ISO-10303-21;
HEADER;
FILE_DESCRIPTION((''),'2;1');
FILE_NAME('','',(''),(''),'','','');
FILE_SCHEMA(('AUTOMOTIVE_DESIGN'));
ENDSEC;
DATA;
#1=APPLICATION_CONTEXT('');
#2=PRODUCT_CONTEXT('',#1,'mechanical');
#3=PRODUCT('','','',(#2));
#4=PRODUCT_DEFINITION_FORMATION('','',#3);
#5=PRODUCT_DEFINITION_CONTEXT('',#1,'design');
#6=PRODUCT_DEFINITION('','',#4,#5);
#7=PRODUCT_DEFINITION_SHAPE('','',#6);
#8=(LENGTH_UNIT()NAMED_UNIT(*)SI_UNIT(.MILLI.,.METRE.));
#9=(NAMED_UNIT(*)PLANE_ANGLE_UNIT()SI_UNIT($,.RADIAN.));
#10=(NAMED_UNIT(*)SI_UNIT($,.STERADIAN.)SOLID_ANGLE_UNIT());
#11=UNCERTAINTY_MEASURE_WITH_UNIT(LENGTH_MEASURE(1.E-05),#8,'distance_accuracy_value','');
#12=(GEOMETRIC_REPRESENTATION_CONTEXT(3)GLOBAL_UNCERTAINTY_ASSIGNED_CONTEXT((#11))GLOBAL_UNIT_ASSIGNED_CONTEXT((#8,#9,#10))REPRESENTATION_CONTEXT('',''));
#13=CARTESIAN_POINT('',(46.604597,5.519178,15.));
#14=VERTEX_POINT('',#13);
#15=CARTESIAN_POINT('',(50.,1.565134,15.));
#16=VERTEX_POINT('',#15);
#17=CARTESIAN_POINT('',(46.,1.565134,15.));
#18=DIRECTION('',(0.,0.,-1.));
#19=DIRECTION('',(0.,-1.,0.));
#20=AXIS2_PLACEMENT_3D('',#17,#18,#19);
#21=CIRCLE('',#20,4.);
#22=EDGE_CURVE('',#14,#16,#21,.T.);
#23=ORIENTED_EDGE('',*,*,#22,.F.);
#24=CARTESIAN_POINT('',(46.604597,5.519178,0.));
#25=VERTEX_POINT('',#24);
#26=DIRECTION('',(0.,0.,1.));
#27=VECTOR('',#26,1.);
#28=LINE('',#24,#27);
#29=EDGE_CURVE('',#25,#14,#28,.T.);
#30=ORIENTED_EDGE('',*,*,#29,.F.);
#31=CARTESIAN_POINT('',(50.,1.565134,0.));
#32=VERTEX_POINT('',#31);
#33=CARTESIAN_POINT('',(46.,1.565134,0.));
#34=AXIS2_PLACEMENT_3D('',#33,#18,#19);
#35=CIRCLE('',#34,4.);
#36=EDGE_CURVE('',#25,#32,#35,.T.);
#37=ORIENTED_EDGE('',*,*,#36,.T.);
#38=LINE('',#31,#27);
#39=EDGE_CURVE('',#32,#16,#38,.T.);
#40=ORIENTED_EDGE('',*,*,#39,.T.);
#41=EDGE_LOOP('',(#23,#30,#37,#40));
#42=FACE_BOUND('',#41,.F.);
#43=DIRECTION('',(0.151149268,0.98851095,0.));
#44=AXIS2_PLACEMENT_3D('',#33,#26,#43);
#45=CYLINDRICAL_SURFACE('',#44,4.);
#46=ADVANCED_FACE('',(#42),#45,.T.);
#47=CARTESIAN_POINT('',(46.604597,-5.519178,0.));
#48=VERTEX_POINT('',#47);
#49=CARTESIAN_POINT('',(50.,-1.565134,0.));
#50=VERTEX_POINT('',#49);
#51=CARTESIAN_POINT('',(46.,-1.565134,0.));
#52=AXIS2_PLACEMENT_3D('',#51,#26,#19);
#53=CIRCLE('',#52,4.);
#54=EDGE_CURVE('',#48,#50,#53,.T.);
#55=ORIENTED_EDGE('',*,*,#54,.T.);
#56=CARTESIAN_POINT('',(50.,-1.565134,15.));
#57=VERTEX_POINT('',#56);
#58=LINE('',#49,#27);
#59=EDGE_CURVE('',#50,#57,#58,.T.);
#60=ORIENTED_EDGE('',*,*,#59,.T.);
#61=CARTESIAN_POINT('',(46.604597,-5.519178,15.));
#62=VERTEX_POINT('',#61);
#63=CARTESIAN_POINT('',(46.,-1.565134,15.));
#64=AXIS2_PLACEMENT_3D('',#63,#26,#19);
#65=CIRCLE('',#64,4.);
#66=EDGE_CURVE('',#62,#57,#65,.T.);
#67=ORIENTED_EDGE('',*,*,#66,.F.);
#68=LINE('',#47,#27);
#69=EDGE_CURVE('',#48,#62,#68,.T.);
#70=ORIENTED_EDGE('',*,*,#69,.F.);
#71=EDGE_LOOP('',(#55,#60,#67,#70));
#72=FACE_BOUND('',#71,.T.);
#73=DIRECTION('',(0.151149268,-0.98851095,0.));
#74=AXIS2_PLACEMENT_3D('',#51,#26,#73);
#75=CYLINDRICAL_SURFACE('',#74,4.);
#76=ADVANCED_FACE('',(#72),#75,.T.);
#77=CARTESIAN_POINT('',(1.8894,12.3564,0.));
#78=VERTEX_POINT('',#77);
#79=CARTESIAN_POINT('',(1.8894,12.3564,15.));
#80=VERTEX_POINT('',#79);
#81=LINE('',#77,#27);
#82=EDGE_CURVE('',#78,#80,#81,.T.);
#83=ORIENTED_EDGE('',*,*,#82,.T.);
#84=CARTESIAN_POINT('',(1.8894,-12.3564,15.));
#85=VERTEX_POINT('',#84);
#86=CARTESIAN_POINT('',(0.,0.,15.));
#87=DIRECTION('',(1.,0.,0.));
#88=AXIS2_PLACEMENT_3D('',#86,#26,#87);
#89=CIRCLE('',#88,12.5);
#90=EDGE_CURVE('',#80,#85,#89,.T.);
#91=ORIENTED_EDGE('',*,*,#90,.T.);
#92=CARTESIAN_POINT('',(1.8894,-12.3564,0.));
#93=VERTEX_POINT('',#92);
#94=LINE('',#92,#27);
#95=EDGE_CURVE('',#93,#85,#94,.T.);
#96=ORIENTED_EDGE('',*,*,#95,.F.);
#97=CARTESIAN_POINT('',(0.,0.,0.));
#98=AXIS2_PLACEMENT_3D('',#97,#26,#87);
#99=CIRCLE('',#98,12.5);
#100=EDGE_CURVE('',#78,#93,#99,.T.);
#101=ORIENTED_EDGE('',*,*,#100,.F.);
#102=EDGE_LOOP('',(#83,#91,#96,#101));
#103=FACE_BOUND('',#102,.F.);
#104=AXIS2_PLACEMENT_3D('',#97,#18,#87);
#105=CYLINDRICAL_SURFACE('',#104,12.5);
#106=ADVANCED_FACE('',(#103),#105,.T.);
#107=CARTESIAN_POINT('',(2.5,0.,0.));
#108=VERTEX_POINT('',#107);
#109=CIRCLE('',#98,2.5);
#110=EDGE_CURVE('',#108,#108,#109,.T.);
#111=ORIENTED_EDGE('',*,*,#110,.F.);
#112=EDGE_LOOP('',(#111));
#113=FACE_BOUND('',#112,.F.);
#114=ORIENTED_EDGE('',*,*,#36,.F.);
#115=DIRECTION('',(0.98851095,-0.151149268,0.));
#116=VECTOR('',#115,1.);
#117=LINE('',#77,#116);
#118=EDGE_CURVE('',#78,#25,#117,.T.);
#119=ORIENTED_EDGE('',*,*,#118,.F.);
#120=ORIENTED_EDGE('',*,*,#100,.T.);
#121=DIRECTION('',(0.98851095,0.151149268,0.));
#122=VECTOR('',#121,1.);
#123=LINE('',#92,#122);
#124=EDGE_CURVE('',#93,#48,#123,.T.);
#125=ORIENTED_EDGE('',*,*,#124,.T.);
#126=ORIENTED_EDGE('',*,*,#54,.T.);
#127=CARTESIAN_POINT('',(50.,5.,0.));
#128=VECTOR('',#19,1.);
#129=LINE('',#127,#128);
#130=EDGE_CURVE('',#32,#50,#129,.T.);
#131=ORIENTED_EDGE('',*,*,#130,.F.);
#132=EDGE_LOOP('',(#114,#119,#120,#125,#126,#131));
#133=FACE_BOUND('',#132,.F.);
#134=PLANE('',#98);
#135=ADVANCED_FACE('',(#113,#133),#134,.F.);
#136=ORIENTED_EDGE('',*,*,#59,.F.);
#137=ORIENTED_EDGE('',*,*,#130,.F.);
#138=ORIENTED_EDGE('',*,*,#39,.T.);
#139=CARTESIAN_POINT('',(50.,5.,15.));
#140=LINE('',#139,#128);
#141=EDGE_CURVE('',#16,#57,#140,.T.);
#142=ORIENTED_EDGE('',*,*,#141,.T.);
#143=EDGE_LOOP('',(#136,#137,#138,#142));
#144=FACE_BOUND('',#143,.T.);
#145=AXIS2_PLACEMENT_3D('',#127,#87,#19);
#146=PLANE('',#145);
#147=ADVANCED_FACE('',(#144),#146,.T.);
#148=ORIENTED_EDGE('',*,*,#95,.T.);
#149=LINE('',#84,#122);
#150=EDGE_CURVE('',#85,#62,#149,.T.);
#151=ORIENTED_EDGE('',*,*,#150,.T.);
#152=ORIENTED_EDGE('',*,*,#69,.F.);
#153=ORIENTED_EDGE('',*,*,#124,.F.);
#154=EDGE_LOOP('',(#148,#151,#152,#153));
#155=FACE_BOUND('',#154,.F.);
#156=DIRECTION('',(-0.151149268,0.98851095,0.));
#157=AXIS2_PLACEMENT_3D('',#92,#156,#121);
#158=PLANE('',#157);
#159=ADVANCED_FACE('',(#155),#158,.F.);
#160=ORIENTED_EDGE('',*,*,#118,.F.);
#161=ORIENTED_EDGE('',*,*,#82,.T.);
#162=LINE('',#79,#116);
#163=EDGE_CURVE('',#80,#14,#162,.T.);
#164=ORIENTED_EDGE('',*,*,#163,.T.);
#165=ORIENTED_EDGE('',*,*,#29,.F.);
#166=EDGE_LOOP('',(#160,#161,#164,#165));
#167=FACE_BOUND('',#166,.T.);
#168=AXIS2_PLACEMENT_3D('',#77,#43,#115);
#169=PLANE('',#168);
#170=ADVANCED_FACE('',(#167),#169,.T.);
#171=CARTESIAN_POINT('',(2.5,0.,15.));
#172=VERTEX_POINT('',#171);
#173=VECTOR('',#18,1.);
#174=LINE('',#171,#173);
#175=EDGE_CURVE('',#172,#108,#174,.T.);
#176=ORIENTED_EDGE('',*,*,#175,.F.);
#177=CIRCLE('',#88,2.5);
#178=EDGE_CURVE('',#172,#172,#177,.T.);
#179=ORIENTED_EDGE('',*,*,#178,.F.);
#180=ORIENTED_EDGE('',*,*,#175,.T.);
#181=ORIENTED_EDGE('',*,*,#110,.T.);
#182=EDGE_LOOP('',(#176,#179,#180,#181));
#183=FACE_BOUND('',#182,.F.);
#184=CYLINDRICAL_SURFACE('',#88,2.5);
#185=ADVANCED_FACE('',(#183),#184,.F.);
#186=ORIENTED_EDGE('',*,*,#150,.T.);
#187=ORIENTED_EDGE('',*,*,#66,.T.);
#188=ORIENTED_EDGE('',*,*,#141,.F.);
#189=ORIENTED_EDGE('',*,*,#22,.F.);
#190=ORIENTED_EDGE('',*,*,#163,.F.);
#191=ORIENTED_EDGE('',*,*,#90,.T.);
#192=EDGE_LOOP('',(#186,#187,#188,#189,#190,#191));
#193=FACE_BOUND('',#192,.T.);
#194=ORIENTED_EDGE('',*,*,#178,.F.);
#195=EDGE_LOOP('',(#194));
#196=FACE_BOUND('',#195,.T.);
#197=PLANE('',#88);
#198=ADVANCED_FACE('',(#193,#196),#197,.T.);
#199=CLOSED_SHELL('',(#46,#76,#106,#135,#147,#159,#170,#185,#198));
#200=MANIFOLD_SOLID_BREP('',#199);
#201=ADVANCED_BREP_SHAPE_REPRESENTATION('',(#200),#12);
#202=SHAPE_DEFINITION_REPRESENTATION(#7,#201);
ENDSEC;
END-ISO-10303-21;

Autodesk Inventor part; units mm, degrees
ref_plane "YZ Plane" through (0, 0, 0) normal (1, 0, 0) x (0, 1, 0)
ref_plane "XZ Plane" through (0, 0, 0) normal (0, 1, 0) x (-1, 0, 0)
ref_plane "XY Plane" through (0, 0, 0) normal (0, 0, 1) x (1, 0, 0)
sketch "Sketch1" plane through (0, 0, 0) normal (0, 0, 1) x (1, 0, 0)
  circle A0 centre (0, 0) radius 12.5
  line L0 (0, 0) -> (50, 0) construction
  line L1 (1.8894, 12.3564) -> (50, 5)
  line L2 (1.8894, -12.3564) -> (50, -5)
  line L3 (50, 5) -> (50, -5)
  dimension "d0" = 25
  dimension "d1" = 50
  dimension "d2" = 5
  dimension "d3" = 5
  dimension "d4" = 50
extrude "Extrusion1" add sketch "Sketch1" along normal blind 15
fillet "Fillet1" radius 4 2 edges at (50, 5, 7.5) (50, -5, 7.5)
sketch "Sketch2" plane through (0, 0, 15) normal (0, 0, 1) x (1, 0, 0)
  circle A0 centre (0, 0) radius 2.5
  dimension "d8" = 5
extrude "Extrusion2" cut sketch "Sketch2" against normal through all
equation "\"d4\" = d1"
properties part number "o_Plattenstopper" material "Birch"
